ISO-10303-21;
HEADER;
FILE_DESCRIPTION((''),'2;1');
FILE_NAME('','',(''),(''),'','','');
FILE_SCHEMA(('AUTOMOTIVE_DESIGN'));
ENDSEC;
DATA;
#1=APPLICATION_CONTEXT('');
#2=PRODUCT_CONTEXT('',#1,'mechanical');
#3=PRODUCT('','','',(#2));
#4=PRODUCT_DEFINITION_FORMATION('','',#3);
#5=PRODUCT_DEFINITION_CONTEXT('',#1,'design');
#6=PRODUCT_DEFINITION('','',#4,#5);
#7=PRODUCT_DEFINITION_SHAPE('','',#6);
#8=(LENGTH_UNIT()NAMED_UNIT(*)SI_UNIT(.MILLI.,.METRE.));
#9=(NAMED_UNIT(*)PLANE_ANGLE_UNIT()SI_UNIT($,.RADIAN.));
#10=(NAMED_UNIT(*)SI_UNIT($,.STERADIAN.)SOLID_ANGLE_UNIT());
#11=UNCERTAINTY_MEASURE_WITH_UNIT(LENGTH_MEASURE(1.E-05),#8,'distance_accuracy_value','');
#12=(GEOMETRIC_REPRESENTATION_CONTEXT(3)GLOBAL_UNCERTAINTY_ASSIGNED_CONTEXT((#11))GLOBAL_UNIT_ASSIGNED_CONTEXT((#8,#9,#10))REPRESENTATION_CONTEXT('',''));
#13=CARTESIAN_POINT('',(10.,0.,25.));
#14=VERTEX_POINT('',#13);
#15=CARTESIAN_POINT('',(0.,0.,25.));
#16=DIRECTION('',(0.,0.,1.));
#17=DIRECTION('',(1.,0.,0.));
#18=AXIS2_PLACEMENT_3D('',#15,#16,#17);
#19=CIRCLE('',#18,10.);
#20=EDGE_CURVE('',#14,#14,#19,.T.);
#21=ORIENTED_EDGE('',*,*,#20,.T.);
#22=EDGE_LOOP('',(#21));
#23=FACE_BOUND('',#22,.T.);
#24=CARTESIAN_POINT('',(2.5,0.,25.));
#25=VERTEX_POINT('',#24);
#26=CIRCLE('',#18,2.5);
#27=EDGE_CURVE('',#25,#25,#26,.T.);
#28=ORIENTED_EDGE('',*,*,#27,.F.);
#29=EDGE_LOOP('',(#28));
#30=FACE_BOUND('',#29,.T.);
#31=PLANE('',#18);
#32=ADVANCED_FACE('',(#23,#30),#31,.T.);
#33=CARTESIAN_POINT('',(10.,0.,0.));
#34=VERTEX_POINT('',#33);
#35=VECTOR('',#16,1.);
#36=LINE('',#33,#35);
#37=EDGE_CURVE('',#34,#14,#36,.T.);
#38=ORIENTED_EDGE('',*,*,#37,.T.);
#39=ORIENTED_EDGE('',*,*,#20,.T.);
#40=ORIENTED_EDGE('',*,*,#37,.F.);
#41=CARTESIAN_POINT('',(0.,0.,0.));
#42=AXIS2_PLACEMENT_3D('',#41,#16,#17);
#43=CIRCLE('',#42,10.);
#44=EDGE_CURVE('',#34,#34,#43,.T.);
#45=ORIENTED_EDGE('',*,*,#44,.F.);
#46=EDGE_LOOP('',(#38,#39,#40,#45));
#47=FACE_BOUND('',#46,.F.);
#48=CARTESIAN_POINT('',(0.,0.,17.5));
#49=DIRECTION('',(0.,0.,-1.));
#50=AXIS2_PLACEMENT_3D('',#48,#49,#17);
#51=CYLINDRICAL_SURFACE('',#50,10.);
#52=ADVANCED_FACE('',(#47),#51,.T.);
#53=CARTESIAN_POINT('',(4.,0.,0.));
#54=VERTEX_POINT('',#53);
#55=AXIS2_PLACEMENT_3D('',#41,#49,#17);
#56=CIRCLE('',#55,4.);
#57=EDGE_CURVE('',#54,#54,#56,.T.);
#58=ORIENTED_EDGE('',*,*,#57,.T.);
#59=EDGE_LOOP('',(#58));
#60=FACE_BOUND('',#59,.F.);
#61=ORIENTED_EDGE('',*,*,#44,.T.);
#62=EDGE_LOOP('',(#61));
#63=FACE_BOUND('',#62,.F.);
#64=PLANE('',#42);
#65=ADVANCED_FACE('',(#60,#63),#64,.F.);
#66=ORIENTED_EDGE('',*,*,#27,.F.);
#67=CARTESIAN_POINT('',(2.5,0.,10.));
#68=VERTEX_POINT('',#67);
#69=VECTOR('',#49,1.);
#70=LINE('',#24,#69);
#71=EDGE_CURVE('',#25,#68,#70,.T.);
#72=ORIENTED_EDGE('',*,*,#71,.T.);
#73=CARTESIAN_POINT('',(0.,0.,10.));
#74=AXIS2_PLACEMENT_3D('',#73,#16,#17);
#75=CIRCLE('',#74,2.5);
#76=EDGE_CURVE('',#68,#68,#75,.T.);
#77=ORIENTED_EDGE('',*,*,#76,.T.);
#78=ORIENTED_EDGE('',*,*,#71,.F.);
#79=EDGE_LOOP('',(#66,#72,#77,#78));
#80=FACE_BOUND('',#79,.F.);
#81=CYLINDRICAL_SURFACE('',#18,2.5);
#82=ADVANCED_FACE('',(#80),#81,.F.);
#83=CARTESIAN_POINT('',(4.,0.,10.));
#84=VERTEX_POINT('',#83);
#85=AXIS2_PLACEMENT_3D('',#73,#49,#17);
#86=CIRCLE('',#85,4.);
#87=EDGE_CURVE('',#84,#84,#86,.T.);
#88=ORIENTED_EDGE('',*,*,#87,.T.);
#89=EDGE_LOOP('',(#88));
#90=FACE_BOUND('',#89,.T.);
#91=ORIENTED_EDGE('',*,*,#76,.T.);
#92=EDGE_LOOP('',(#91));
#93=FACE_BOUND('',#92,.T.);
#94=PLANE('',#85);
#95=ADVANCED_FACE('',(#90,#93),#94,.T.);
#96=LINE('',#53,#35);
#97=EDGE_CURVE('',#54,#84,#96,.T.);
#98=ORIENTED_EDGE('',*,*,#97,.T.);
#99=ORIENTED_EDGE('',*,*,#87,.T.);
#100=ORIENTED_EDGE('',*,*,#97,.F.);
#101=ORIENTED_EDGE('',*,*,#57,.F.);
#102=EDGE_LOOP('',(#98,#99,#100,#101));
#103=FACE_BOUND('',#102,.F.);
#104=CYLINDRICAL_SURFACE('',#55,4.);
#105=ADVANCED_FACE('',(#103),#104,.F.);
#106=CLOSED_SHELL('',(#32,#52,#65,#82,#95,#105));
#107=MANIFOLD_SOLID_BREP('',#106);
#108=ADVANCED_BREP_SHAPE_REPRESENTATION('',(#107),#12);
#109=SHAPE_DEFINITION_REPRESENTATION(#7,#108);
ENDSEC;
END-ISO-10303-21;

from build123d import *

# Parameters (mm, degrees)
F0_R     = 10
F1_DEPTH = 7.5
F2_R     = 10
F3_DEPTH = 10
F4_R     = 10
F5_DEPTH = 7.5
F6_R     = 2.5
F7_DEPTH = 25
F8_R     = 4
F9_DEPTH = 10


with BuildPart() as f1:
    # F0 (on Top) → F1 (new body)
    with BuildSketch(Plane.XY):
        Circle(F0_R)
    extrude(amount=F1_DEPTH)

    # F2 (on face) → F3 (join)
    with BuildSketch(Plane.XY.offset(7.5)):
        Circle(F2_R)
    extrude(amount=F3_DEPTH)

    # F4 (on face) → F5 (join)
    with BuildSketch(Plane.XY.offset(17.5)):
        Circle(F4_R)
    extrude(amount=F5_DEPTH)

    # F6 (on face) → F7 (cut)
    with BuildSketch(Plane.XY.offset(25)):
        Circle(F6_R)
    extrude(amount=-F7_DEPTH, mode=Mode.SUBTRACT)

    # F8 (on face) → F9 (cut)
    with BuildSketch(Plane(origin=(0, 0, 0), x_dir=(1, 0, 0), z_dir=(0, 0, -1))):
        Circle(F8_R)
    extrude(amount=-F9_DEPTH, mode=Mode.SUBTRACT)


solid = f1.part
